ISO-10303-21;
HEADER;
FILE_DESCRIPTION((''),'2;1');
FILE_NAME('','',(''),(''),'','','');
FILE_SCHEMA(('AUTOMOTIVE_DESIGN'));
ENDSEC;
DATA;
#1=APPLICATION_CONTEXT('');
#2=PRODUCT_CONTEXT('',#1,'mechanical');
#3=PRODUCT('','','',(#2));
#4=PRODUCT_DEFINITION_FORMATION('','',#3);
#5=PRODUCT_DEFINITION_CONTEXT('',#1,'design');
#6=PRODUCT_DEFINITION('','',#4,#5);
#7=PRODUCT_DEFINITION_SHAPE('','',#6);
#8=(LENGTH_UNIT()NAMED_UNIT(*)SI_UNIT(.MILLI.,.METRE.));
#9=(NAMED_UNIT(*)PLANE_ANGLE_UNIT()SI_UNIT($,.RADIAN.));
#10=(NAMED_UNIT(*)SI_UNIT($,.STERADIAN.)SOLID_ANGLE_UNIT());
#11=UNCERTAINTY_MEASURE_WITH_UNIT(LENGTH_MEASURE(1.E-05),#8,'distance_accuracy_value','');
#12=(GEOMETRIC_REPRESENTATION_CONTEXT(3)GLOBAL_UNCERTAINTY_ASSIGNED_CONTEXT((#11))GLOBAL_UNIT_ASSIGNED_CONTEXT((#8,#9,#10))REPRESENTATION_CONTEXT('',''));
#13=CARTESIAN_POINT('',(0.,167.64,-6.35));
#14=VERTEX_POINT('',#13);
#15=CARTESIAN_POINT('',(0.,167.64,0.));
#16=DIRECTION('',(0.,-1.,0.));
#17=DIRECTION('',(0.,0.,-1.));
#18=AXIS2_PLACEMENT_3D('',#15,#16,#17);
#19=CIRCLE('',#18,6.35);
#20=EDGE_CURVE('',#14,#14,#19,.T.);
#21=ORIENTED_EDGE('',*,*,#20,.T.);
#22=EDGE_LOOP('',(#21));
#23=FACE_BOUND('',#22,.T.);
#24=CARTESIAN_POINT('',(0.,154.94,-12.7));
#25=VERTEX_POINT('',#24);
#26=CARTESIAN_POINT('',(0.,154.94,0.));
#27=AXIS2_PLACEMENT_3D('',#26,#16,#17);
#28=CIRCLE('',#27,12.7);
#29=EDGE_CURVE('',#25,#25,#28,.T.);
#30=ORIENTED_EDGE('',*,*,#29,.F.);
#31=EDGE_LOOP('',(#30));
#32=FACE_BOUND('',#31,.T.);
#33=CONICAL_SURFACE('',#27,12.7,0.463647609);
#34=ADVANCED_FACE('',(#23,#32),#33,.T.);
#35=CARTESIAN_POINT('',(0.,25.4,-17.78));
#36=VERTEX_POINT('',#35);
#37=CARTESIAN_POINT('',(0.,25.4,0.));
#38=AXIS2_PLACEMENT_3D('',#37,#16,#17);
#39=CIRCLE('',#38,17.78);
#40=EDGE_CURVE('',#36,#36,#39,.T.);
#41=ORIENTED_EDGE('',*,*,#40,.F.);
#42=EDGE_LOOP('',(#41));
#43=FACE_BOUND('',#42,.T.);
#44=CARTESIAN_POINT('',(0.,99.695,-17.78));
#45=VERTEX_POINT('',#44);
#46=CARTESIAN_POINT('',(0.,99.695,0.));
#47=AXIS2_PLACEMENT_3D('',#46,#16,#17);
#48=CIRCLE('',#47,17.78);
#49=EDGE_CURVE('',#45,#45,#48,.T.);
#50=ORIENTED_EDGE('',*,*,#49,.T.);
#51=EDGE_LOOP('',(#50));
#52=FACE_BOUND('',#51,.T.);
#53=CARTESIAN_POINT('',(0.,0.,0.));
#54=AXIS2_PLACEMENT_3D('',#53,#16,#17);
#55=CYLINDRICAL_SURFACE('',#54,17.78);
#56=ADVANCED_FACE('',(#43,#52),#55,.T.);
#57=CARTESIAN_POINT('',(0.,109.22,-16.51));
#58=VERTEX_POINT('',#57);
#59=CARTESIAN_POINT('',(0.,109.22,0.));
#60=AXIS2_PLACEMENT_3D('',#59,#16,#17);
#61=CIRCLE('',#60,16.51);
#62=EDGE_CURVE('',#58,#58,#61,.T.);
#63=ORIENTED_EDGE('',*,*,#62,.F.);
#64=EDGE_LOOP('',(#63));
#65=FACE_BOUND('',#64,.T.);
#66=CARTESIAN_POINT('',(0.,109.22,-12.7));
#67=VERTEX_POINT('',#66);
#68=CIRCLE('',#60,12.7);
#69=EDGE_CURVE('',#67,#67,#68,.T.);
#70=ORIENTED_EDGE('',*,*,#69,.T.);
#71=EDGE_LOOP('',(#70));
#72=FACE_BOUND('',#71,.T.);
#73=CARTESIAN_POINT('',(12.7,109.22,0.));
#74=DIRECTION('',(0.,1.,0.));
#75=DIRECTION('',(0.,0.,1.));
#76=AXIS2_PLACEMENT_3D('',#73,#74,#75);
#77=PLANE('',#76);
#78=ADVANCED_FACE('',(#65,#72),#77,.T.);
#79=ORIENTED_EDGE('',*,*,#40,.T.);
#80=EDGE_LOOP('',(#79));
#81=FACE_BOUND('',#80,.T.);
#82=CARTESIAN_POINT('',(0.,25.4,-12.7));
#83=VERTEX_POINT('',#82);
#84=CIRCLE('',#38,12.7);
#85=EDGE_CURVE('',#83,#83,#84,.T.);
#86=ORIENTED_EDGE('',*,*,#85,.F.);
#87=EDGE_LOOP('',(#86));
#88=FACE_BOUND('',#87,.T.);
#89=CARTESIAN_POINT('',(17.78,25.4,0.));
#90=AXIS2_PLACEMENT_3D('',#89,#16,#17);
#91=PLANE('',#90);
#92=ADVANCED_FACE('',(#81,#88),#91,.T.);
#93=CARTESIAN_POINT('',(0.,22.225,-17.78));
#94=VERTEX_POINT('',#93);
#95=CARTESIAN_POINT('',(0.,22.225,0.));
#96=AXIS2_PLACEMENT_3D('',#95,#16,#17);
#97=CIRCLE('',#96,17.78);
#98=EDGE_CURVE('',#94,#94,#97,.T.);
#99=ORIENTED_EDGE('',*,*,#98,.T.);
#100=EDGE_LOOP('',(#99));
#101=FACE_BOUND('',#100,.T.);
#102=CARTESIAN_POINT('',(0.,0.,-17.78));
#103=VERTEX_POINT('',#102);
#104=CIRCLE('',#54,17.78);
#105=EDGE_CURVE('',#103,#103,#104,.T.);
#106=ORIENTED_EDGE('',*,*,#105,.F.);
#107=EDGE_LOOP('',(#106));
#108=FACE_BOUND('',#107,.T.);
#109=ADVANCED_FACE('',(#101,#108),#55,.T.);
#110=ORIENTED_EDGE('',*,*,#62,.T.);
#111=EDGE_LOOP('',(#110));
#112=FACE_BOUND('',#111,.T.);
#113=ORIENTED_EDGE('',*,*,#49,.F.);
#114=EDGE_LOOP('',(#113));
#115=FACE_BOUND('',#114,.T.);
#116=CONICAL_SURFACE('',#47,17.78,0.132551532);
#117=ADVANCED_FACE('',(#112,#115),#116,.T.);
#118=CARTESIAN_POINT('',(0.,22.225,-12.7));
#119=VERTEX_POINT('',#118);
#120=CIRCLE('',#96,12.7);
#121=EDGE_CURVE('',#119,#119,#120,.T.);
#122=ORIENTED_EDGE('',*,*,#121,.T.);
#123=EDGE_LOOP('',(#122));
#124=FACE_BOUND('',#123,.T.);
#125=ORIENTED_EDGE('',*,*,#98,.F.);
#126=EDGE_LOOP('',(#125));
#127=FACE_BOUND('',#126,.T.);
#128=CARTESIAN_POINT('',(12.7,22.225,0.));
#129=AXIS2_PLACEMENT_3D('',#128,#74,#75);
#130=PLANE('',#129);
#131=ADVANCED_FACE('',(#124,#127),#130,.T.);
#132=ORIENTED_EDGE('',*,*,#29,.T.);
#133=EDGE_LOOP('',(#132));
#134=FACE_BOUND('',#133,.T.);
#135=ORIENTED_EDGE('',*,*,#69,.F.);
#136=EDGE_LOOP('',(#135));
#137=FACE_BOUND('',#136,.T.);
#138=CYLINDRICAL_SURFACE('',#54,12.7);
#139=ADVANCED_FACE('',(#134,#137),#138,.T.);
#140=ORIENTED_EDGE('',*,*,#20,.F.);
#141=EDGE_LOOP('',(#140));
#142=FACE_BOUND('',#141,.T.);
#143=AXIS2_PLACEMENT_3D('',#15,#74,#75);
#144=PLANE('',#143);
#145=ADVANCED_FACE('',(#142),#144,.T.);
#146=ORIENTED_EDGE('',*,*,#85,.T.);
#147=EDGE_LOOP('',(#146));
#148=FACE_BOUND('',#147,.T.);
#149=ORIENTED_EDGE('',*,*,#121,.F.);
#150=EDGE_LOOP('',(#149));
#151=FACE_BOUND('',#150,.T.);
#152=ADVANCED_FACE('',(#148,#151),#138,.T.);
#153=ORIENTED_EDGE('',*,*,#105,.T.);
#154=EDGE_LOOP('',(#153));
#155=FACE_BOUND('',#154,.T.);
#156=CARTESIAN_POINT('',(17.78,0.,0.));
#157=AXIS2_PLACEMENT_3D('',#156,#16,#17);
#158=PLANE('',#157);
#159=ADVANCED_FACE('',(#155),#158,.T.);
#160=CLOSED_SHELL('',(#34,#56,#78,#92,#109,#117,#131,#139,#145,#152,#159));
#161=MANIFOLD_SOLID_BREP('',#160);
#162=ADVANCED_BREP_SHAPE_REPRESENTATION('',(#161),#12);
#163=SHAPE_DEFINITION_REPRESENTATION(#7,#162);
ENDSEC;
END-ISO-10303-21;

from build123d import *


with BuildPart() as part:
    # Sketch1 → Revolve1 (revolve)
    with BuildSketch(Plane.XY):
        Polygon((0, 0), (0, 167.64), (6.35, 167.64), (12.7, 154.94), (12.7, 109.22), (16.51, 109.22), (17.78, 99.695), (17.78, 25.4), (12.7, 25.4), (12.7, 22.225), (17.78, 22.225), (17.78, 0), align=None)
    revolve(axis=Axis((0, 0, 0), (0, 1, 0)))


solid = part.part
